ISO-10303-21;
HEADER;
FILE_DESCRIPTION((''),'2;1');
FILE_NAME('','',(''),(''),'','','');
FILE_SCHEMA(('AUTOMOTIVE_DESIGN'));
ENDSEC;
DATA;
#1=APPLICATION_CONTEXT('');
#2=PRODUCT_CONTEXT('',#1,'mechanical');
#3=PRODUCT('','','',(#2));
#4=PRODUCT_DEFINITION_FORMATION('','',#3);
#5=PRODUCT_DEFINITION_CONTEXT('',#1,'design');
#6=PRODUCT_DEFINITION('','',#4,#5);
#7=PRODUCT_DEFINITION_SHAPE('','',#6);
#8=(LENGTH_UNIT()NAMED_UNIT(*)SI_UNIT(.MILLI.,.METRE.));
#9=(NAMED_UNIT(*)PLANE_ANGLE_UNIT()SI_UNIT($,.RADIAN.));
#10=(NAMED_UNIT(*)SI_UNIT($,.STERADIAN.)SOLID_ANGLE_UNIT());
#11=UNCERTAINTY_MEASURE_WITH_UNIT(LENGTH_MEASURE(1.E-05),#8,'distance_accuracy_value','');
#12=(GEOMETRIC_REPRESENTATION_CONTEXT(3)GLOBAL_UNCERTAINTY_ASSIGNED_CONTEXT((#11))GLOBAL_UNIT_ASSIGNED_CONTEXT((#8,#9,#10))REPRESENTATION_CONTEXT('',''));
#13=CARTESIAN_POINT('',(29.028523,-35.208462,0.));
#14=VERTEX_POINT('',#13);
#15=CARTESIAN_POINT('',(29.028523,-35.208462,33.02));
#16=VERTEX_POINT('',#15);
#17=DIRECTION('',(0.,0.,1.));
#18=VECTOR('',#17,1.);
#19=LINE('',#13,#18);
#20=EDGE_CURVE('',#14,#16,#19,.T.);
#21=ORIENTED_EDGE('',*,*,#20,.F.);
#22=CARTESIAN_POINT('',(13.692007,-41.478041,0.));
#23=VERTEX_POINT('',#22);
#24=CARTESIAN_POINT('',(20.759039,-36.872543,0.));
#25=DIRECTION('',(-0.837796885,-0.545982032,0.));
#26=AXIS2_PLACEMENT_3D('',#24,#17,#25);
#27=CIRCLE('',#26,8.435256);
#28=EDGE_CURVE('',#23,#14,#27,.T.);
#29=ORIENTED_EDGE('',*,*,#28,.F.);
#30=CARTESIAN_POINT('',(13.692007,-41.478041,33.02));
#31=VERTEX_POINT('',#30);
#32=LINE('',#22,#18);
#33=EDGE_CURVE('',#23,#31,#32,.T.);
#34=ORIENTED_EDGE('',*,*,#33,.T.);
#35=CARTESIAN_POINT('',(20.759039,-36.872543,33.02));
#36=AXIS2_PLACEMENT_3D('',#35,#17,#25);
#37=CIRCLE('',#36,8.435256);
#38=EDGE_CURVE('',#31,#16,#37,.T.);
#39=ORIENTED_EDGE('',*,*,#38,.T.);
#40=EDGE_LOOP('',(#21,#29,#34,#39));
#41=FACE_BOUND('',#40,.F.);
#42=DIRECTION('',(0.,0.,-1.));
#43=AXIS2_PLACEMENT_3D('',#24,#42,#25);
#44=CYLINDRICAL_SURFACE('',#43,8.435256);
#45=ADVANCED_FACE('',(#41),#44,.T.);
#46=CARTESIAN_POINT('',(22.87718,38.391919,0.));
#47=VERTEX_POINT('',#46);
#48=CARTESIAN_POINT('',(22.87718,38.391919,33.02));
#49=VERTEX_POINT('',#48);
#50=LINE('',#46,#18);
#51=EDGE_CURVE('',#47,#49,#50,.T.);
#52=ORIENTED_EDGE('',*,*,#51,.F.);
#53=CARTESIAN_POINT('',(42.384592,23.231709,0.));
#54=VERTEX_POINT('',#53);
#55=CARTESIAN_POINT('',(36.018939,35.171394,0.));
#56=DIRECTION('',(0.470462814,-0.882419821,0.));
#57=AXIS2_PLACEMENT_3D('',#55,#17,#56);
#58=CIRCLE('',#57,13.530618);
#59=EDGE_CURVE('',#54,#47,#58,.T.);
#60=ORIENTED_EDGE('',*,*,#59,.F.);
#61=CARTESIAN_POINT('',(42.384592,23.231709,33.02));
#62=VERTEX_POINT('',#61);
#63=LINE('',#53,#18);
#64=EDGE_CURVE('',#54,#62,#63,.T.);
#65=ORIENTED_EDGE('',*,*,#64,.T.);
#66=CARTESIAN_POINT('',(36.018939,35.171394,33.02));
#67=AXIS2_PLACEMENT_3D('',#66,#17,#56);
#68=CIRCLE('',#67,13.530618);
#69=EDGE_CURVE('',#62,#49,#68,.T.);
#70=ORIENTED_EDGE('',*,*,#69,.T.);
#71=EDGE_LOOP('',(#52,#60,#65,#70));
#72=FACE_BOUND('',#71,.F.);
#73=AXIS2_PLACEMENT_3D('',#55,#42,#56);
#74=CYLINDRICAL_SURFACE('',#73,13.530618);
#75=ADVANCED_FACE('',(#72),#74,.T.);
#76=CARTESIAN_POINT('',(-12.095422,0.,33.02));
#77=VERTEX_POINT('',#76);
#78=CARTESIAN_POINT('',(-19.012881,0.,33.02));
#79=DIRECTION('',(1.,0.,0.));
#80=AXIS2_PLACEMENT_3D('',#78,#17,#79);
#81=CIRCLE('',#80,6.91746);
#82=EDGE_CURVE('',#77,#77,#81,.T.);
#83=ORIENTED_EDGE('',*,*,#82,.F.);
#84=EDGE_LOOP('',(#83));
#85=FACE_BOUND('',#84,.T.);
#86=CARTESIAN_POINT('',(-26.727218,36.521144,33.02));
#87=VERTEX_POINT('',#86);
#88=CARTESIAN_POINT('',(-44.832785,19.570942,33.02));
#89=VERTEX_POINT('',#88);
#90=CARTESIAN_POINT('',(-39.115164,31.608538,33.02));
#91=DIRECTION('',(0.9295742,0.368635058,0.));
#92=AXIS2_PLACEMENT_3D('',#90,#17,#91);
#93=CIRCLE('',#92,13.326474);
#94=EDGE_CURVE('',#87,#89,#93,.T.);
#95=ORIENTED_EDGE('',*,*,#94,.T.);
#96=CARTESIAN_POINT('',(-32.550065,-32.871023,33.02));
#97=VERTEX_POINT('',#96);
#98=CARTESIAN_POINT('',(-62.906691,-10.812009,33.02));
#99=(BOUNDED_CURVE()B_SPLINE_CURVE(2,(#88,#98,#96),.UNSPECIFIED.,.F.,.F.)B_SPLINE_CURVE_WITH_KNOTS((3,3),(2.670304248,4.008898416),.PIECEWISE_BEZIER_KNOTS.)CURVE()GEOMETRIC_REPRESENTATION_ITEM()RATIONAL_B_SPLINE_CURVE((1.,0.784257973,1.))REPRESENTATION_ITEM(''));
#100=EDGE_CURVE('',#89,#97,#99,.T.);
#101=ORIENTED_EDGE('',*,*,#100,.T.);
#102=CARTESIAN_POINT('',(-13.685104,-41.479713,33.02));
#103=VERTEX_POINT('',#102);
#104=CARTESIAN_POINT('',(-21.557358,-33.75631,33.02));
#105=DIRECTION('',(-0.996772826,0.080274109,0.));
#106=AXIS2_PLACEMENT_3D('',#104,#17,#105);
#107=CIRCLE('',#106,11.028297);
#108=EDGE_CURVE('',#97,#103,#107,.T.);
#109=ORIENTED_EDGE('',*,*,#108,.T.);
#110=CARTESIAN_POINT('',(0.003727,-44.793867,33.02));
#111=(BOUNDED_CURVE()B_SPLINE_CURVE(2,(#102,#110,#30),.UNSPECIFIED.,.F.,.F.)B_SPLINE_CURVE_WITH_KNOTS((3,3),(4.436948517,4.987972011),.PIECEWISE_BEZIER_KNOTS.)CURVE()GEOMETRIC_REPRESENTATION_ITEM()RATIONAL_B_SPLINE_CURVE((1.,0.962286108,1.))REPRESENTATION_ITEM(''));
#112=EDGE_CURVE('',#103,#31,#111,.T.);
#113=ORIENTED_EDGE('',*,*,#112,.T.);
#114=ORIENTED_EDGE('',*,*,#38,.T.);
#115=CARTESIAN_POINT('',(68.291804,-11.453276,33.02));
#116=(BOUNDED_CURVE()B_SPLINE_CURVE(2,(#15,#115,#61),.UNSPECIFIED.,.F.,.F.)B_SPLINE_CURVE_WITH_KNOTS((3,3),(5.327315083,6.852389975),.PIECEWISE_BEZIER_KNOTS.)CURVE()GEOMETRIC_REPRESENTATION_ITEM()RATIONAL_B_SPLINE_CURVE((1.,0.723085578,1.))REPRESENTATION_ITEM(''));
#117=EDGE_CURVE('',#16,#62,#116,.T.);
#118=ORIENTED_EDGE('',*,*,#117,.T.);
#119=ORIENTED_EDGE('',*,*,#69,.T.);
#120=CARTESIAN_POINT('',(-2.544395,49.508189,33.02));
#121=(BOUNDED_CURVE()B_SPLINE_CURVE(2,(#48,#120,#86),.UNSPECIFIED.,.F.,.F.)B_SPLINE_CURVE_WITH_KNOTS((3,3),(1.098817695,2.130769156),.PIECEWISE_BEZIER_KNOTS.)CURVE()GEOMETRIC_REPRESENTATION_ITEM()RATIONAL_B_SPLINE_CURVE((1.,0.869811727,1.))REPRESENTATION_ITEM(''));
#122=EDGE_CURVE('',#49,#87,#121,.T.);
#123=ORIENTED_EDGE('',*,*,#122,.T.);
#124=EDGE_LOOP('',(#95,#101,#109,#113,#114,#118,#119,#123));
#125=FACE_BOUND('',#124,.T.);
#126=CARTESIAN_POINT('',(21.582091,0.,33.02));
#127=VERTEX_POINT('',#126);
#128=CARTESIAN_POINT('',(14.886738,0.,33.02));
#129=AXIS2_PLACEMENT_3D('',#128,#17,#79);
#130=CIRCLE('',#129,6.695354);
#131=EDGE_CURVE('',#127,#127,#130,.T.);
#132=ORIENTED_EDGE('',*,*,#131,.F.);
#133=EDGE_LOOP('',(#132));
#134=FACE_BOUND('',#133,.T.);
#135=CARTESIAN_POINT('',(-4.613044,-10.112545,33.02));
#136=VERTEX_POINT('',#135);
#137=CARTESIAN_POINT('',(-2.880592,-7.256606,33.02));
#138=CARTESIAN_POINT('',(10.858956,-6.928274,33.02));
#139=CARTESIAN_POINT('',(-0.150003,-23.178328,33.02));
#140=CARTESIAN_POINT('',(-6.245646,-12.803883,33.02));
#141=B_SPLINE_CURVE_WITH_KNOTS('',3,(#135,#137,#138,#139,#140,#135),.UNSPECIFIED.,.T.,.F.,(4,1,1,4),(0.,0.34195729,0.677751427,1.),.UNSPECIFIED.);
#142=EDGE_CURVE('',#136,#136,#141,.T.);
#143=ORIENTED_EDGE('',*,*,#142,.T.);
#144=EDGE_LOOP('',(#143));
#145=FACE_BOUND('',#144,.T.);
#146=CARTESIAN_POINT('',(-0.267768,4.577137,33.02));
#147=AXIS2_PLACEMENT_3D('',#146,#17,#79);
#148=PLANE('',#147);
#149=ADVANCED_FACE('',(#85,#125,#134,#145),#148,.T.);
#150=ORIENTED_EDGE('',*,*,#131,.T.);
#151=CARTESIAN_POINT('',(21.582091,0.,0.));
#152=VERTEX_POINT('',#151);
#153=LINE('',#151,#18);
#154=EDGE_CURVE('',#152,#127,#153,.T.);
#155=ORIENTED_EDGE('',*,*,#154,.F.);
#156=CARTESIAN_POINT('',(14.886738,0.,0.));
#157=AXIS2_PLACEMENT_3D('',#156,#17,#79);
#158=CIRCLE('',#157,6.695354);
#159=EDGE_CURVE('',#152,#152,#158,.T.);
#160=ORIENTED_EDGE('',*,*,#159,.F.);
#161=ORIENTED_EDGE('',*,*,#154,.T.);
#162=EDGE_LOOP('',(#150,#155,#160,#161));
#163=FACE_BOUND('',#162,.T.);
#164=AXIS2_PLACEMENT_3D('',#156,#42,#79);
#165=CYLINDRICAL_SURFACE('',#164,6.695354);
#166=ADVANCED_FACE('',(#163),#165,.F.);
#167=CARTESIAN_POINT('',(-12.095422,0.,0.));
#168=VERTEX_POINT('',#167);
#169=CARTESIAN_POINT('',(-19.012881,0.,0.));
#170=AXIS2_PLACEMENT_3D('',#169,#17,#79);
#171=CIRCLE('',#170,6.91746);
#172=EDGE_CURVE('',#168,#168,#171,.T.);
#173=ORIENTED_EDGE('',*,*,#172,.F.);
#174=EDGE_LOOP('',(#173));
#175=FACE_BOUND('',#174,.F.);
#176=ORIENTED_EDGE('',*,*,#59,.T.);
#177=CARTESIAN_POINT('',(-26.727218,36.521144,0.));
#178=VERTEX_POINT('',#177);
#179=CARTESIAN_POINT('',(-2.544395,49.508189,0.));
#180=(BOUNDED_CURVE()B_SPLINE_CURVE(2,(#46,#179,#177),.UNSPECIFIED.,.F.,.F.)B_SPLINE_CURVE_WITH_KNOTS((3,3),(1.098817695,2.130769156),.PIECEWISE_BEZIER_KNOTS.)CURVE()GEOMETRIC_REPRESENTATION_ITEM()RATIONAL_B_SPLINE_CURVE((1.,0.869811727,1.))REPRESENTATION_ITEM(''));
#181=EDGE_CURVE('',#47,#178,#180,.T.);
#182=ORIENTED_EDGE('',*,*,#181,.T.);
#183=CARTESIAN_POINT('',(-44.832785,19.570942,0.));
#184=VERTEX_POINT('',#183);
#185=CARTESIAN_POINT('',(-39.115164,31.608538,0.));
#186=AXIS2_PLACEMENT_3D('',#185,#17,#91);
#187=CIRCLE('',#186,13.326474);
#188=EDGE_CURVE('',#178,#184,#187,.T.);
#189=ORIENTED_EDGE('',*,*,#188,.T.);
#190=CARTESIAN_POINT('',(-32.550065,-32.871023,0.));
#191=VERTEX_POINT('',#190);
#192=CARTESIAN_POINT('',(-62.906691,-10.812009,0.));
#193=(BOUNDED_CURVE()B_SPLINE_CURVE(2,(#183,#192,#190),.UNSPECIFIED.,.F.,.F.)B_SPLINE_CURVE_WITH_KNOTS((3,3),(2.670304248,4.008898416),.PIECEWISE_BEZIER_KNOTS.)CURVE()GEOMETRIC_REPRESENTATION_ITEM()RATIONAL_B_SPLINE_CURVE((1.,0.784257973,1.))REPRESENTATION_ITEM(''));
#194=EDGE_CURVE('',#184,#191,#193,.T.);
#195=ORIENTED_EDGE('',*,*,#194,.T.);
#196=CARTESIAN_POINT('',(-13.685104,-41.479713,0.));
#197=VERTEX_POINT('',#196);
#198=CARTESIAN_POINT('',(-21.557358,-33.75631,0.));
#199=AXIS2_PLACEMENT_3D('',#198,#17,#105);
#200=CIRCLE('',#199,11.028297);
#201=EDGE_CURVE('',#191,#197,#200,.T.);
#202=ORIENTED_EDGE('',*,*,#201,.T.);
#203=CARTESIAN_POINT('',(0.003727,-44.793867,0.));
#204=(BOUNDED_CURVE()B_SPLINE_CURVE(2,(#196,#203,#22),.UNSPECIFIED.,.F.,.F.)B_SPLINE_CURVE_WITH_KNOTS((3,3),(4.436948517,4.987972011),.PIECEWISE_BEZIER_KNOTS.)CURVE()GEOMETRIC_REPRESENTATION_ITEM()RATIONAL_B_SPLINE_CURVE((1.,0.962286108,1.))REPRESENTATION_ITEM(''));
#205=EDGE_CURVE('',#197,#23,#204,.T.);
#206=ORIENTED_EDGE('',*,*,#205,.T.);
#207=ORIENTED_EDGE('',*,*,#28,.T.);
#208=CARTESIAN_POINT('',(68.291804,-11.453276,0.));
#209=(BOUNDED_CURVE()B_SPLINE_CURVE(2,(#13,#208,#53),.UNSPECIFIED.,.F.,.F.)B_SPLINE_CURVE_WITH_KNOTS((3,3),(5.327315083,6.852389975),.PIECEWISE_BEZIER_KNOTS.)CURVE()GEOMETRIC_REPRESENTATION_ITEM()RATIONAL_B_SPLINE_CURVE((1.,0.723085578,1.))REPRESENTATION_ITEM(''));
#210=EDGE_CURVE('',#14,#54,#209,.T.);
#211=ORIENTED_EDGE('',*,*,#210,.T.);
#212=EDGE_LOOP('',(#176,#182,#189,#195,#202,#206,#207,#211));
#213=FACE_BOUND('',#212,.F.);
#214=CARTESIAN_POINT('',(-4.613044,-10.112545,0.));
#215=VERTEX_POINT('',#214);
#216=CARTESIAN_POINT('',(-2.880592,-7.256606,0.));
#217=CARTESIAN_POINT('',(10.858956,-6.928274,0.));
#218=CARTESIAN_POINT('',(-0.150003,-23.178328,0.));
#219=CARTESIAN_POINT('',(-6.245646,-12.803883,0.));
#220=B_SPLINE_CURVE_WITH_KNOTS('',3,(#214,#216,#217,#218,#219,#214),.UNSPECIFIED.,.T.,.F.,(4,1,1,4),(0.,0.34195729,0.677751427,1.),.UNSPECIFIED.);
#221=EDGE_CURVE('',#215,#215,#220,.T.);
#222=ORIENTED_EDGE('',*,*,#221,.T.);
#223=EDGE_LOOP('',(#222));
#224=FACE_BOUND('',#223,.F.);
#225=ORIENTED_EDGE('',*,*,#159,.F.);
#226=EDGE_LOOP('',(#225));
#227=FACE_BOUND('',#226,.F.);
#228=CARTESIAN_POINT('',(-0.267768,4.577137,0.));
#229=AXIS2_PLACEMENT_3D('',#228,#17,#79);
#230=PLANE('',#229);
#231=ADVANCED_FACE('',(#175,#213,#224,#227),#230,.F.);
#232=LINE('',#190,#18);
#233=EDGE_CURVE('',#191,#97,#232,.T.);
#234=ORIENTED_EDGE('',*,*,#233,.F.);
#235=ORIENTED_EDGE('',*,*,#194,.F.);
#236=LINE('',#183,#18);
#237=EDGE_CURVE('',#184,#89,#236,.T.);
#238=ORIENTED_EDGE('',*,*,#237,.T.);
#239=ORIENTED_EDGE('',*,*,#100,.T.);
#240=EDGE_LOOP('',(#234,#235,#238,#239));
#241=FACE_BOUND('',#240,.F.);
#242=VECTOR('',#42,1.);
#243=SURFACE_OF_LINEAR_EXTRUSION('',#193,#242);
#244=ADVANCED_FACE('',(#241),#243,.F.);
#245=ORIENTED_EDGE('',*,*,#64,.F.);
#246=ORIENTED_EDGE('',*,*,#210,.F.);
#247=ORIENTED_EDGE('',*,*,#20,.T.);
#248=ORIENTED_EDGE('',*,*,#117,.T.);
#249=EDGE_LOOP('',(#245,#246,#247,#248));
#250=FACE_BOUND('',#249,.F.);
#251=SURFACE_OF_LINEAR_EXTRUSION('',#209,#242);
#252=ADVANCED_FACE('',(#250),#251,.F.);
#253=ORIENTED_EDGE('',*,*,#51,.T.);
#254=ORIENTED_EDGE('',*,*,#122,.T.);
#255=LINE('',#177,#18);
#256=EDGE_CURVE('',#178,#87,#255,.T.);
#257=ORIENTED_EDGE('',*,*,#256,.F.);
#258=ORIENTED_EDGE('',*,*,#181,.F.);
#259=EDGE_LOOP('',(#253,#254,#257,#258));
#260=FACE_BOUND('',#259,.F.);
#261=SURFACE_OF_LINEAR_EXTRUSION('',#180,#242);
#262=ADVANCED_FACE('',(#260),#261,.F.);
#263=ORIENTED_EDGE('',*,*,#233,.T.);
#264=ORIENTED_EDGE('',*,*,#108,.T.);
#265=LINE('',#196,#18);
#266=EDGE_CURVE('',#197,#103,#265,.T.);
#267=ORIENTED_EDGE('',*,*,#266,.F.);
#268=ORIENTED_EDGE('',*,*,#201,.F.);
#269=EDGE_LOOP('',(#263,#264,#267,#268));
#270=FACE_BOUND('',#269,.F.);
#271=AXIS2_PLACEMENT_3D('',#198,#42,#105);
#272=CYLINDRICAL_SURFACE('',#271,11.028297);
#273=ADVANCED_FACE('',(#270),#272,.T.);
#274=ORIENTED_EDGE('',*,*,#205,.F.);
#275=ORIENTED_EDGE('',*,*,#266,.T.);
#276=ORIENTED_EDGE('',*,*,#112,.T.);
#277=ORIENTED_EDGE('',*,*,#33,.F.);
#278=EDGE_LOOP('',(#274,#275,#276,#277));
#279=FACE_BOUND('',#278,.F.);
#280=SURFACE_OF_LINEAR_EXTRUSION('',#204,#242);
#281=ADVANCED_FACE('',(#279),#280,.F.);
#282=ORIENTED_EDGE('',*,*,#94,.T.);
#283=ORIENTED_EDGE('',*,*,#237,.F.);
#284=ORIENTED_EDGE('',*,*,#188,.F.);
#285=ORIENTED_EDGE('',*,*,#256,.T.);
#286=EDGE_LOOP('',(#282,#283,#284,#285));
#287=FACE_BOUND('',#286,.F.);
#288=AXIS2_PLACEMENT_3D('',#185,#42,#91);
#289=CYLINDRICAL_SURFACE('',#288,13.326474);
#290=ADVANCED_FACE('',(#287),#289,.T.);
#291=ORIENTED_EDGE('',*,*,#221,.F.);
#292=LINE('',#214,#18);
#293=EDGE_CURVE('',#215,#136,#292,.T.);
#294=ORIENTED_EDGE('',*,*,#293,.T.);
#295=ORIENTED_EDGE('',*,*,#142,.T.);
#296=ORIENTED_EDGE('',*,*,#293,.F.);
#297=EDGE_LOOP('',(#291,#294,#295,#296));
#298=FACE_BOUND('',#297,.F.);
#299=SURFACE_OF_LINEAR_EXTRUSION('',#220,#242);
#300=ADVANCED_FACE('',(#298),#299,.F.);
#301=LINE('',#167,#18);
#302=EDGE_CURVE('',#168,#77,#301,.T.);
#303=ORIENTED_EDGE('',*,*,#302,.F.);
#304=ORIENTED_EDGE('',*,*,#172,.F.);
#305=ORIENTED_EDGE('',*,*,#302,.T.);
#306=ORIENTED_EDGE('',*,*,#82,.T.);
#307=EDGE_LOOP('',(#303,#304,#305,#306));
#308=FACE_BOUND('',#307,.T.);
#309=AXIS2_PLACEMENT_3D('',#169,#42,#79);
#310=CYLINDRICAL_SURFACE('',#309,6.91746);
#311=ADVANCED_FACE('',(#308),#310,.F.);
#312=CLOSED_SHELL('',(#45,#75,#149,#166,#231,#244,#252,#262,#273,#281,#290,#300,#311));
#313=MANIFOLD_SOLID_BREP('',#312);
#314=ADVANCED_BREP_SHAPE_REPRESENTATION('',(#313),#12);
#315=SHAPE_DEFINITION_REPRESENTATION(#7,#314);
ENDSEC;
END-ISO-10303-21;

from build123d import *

# Parameters (mm, degrees)
F0_R     = 6.9174599135
F0_R_2   = 6.6953536728
F1_DEPTH = 33.02


with BuildPart() as f1:
    # F0 (on Top) → F1 (new body)
    with BuildSketch(Plane.XY):
        with BuildLine():
            ThreePointArc((13.6920073452, -41.4780412298), (23.9509627201, -44.6805622966), (29.0285234771, -35.2084620371))
            add(Edge.make_bspline(
                [(29.0285234771, -35.2084620371), (68.2918037486, -11.4532756006), (42.3845917945, 23.2317086668)],
                knots=[5.3273150829, 5.3273150829, 5.3273150829, 6.8523899746, 6.8523899746, 6.8523899746], degree=2, weights=[1, 0.7230855783, 1]))
            ThreePointArc((42.3845917945, 23.2317086668), (44.3217640549, 45.8550598259), (22.8771801048, 38.3919188491))
            add(Edge.make_bspline(
                [(22.8771801048, 38.3919188491), (-2.5443945173, 49.5081889699), (-26.727217642, 36.5211438216)],
                knots=[1.0988176954, 1.0988176954, 1.0988176954, 2.1307691564, 2.1307691564, 2.1307691564], degree=2, weights=[1, 0.8698117268, 1]))
            ThreePointArc((-26.727217642, 36.5211438216), (-48.2228883846, 41.3370667245), (-44.8327850103, 19.5709422832))
            add(Edge.make_bspline(
                [(-44.8327850103, 19.5709422832), (-62.9066905476, -10.8120093087), (-32.5500646686, -32.8710234635)],
                knots=[2.6703042477, 2.6703042477, 2.6703042477, 4.0088984161, 4.0088984161, 4.0088984161], degree=2, weights=[1, 0.7842579731, 1]))
            ThreePointArc((-32.5500646686, -32.8710234635), (-26.1357518543, -43.7893377337), (-13.6851041212, -41.479713))
            add(Edge.make_bspline(
                [(-13.6851041212, -41.479713), (0.0037274647, -44.7938672304), (13.6920073452, -41.4780412298)],
                knots=[4.4369485173, 4.4369485173, 4.4369485173, 4.9879720114, 4.9879720114, 4.9879720114], degree=2, weights=[1, 0.9622861083, 1]))
        make_face()
        with Locations((-19.0128814429, 0)):
            Circle(F0_R, mode=Mode.SUBTRACT)
        with BuildLine():
            add(Edge.make_bspline(
                [(-4.6130437404, -10.112545453), (-2.8805919387, -7.2566060297), (10.8589562819, -6.9282740006), (-0.1500027257, -23.178328073), (-6.2456456393, -12.8038827364), (-4.6130437404, -10.112545453)],
                knots=[0, 0, 0, 0, 0.3419572904, 0.6777514266, 1, 1, 1, 1], degree=3))
        make_face(mode=Mode.SUBTRACT)
        with Locations((14.8867378011, 0)):
            Circle(F0_R_2, mode=Mode.SUBTRACT)
    extrude(amount=F1_DEPTH)


solid = f1.part
